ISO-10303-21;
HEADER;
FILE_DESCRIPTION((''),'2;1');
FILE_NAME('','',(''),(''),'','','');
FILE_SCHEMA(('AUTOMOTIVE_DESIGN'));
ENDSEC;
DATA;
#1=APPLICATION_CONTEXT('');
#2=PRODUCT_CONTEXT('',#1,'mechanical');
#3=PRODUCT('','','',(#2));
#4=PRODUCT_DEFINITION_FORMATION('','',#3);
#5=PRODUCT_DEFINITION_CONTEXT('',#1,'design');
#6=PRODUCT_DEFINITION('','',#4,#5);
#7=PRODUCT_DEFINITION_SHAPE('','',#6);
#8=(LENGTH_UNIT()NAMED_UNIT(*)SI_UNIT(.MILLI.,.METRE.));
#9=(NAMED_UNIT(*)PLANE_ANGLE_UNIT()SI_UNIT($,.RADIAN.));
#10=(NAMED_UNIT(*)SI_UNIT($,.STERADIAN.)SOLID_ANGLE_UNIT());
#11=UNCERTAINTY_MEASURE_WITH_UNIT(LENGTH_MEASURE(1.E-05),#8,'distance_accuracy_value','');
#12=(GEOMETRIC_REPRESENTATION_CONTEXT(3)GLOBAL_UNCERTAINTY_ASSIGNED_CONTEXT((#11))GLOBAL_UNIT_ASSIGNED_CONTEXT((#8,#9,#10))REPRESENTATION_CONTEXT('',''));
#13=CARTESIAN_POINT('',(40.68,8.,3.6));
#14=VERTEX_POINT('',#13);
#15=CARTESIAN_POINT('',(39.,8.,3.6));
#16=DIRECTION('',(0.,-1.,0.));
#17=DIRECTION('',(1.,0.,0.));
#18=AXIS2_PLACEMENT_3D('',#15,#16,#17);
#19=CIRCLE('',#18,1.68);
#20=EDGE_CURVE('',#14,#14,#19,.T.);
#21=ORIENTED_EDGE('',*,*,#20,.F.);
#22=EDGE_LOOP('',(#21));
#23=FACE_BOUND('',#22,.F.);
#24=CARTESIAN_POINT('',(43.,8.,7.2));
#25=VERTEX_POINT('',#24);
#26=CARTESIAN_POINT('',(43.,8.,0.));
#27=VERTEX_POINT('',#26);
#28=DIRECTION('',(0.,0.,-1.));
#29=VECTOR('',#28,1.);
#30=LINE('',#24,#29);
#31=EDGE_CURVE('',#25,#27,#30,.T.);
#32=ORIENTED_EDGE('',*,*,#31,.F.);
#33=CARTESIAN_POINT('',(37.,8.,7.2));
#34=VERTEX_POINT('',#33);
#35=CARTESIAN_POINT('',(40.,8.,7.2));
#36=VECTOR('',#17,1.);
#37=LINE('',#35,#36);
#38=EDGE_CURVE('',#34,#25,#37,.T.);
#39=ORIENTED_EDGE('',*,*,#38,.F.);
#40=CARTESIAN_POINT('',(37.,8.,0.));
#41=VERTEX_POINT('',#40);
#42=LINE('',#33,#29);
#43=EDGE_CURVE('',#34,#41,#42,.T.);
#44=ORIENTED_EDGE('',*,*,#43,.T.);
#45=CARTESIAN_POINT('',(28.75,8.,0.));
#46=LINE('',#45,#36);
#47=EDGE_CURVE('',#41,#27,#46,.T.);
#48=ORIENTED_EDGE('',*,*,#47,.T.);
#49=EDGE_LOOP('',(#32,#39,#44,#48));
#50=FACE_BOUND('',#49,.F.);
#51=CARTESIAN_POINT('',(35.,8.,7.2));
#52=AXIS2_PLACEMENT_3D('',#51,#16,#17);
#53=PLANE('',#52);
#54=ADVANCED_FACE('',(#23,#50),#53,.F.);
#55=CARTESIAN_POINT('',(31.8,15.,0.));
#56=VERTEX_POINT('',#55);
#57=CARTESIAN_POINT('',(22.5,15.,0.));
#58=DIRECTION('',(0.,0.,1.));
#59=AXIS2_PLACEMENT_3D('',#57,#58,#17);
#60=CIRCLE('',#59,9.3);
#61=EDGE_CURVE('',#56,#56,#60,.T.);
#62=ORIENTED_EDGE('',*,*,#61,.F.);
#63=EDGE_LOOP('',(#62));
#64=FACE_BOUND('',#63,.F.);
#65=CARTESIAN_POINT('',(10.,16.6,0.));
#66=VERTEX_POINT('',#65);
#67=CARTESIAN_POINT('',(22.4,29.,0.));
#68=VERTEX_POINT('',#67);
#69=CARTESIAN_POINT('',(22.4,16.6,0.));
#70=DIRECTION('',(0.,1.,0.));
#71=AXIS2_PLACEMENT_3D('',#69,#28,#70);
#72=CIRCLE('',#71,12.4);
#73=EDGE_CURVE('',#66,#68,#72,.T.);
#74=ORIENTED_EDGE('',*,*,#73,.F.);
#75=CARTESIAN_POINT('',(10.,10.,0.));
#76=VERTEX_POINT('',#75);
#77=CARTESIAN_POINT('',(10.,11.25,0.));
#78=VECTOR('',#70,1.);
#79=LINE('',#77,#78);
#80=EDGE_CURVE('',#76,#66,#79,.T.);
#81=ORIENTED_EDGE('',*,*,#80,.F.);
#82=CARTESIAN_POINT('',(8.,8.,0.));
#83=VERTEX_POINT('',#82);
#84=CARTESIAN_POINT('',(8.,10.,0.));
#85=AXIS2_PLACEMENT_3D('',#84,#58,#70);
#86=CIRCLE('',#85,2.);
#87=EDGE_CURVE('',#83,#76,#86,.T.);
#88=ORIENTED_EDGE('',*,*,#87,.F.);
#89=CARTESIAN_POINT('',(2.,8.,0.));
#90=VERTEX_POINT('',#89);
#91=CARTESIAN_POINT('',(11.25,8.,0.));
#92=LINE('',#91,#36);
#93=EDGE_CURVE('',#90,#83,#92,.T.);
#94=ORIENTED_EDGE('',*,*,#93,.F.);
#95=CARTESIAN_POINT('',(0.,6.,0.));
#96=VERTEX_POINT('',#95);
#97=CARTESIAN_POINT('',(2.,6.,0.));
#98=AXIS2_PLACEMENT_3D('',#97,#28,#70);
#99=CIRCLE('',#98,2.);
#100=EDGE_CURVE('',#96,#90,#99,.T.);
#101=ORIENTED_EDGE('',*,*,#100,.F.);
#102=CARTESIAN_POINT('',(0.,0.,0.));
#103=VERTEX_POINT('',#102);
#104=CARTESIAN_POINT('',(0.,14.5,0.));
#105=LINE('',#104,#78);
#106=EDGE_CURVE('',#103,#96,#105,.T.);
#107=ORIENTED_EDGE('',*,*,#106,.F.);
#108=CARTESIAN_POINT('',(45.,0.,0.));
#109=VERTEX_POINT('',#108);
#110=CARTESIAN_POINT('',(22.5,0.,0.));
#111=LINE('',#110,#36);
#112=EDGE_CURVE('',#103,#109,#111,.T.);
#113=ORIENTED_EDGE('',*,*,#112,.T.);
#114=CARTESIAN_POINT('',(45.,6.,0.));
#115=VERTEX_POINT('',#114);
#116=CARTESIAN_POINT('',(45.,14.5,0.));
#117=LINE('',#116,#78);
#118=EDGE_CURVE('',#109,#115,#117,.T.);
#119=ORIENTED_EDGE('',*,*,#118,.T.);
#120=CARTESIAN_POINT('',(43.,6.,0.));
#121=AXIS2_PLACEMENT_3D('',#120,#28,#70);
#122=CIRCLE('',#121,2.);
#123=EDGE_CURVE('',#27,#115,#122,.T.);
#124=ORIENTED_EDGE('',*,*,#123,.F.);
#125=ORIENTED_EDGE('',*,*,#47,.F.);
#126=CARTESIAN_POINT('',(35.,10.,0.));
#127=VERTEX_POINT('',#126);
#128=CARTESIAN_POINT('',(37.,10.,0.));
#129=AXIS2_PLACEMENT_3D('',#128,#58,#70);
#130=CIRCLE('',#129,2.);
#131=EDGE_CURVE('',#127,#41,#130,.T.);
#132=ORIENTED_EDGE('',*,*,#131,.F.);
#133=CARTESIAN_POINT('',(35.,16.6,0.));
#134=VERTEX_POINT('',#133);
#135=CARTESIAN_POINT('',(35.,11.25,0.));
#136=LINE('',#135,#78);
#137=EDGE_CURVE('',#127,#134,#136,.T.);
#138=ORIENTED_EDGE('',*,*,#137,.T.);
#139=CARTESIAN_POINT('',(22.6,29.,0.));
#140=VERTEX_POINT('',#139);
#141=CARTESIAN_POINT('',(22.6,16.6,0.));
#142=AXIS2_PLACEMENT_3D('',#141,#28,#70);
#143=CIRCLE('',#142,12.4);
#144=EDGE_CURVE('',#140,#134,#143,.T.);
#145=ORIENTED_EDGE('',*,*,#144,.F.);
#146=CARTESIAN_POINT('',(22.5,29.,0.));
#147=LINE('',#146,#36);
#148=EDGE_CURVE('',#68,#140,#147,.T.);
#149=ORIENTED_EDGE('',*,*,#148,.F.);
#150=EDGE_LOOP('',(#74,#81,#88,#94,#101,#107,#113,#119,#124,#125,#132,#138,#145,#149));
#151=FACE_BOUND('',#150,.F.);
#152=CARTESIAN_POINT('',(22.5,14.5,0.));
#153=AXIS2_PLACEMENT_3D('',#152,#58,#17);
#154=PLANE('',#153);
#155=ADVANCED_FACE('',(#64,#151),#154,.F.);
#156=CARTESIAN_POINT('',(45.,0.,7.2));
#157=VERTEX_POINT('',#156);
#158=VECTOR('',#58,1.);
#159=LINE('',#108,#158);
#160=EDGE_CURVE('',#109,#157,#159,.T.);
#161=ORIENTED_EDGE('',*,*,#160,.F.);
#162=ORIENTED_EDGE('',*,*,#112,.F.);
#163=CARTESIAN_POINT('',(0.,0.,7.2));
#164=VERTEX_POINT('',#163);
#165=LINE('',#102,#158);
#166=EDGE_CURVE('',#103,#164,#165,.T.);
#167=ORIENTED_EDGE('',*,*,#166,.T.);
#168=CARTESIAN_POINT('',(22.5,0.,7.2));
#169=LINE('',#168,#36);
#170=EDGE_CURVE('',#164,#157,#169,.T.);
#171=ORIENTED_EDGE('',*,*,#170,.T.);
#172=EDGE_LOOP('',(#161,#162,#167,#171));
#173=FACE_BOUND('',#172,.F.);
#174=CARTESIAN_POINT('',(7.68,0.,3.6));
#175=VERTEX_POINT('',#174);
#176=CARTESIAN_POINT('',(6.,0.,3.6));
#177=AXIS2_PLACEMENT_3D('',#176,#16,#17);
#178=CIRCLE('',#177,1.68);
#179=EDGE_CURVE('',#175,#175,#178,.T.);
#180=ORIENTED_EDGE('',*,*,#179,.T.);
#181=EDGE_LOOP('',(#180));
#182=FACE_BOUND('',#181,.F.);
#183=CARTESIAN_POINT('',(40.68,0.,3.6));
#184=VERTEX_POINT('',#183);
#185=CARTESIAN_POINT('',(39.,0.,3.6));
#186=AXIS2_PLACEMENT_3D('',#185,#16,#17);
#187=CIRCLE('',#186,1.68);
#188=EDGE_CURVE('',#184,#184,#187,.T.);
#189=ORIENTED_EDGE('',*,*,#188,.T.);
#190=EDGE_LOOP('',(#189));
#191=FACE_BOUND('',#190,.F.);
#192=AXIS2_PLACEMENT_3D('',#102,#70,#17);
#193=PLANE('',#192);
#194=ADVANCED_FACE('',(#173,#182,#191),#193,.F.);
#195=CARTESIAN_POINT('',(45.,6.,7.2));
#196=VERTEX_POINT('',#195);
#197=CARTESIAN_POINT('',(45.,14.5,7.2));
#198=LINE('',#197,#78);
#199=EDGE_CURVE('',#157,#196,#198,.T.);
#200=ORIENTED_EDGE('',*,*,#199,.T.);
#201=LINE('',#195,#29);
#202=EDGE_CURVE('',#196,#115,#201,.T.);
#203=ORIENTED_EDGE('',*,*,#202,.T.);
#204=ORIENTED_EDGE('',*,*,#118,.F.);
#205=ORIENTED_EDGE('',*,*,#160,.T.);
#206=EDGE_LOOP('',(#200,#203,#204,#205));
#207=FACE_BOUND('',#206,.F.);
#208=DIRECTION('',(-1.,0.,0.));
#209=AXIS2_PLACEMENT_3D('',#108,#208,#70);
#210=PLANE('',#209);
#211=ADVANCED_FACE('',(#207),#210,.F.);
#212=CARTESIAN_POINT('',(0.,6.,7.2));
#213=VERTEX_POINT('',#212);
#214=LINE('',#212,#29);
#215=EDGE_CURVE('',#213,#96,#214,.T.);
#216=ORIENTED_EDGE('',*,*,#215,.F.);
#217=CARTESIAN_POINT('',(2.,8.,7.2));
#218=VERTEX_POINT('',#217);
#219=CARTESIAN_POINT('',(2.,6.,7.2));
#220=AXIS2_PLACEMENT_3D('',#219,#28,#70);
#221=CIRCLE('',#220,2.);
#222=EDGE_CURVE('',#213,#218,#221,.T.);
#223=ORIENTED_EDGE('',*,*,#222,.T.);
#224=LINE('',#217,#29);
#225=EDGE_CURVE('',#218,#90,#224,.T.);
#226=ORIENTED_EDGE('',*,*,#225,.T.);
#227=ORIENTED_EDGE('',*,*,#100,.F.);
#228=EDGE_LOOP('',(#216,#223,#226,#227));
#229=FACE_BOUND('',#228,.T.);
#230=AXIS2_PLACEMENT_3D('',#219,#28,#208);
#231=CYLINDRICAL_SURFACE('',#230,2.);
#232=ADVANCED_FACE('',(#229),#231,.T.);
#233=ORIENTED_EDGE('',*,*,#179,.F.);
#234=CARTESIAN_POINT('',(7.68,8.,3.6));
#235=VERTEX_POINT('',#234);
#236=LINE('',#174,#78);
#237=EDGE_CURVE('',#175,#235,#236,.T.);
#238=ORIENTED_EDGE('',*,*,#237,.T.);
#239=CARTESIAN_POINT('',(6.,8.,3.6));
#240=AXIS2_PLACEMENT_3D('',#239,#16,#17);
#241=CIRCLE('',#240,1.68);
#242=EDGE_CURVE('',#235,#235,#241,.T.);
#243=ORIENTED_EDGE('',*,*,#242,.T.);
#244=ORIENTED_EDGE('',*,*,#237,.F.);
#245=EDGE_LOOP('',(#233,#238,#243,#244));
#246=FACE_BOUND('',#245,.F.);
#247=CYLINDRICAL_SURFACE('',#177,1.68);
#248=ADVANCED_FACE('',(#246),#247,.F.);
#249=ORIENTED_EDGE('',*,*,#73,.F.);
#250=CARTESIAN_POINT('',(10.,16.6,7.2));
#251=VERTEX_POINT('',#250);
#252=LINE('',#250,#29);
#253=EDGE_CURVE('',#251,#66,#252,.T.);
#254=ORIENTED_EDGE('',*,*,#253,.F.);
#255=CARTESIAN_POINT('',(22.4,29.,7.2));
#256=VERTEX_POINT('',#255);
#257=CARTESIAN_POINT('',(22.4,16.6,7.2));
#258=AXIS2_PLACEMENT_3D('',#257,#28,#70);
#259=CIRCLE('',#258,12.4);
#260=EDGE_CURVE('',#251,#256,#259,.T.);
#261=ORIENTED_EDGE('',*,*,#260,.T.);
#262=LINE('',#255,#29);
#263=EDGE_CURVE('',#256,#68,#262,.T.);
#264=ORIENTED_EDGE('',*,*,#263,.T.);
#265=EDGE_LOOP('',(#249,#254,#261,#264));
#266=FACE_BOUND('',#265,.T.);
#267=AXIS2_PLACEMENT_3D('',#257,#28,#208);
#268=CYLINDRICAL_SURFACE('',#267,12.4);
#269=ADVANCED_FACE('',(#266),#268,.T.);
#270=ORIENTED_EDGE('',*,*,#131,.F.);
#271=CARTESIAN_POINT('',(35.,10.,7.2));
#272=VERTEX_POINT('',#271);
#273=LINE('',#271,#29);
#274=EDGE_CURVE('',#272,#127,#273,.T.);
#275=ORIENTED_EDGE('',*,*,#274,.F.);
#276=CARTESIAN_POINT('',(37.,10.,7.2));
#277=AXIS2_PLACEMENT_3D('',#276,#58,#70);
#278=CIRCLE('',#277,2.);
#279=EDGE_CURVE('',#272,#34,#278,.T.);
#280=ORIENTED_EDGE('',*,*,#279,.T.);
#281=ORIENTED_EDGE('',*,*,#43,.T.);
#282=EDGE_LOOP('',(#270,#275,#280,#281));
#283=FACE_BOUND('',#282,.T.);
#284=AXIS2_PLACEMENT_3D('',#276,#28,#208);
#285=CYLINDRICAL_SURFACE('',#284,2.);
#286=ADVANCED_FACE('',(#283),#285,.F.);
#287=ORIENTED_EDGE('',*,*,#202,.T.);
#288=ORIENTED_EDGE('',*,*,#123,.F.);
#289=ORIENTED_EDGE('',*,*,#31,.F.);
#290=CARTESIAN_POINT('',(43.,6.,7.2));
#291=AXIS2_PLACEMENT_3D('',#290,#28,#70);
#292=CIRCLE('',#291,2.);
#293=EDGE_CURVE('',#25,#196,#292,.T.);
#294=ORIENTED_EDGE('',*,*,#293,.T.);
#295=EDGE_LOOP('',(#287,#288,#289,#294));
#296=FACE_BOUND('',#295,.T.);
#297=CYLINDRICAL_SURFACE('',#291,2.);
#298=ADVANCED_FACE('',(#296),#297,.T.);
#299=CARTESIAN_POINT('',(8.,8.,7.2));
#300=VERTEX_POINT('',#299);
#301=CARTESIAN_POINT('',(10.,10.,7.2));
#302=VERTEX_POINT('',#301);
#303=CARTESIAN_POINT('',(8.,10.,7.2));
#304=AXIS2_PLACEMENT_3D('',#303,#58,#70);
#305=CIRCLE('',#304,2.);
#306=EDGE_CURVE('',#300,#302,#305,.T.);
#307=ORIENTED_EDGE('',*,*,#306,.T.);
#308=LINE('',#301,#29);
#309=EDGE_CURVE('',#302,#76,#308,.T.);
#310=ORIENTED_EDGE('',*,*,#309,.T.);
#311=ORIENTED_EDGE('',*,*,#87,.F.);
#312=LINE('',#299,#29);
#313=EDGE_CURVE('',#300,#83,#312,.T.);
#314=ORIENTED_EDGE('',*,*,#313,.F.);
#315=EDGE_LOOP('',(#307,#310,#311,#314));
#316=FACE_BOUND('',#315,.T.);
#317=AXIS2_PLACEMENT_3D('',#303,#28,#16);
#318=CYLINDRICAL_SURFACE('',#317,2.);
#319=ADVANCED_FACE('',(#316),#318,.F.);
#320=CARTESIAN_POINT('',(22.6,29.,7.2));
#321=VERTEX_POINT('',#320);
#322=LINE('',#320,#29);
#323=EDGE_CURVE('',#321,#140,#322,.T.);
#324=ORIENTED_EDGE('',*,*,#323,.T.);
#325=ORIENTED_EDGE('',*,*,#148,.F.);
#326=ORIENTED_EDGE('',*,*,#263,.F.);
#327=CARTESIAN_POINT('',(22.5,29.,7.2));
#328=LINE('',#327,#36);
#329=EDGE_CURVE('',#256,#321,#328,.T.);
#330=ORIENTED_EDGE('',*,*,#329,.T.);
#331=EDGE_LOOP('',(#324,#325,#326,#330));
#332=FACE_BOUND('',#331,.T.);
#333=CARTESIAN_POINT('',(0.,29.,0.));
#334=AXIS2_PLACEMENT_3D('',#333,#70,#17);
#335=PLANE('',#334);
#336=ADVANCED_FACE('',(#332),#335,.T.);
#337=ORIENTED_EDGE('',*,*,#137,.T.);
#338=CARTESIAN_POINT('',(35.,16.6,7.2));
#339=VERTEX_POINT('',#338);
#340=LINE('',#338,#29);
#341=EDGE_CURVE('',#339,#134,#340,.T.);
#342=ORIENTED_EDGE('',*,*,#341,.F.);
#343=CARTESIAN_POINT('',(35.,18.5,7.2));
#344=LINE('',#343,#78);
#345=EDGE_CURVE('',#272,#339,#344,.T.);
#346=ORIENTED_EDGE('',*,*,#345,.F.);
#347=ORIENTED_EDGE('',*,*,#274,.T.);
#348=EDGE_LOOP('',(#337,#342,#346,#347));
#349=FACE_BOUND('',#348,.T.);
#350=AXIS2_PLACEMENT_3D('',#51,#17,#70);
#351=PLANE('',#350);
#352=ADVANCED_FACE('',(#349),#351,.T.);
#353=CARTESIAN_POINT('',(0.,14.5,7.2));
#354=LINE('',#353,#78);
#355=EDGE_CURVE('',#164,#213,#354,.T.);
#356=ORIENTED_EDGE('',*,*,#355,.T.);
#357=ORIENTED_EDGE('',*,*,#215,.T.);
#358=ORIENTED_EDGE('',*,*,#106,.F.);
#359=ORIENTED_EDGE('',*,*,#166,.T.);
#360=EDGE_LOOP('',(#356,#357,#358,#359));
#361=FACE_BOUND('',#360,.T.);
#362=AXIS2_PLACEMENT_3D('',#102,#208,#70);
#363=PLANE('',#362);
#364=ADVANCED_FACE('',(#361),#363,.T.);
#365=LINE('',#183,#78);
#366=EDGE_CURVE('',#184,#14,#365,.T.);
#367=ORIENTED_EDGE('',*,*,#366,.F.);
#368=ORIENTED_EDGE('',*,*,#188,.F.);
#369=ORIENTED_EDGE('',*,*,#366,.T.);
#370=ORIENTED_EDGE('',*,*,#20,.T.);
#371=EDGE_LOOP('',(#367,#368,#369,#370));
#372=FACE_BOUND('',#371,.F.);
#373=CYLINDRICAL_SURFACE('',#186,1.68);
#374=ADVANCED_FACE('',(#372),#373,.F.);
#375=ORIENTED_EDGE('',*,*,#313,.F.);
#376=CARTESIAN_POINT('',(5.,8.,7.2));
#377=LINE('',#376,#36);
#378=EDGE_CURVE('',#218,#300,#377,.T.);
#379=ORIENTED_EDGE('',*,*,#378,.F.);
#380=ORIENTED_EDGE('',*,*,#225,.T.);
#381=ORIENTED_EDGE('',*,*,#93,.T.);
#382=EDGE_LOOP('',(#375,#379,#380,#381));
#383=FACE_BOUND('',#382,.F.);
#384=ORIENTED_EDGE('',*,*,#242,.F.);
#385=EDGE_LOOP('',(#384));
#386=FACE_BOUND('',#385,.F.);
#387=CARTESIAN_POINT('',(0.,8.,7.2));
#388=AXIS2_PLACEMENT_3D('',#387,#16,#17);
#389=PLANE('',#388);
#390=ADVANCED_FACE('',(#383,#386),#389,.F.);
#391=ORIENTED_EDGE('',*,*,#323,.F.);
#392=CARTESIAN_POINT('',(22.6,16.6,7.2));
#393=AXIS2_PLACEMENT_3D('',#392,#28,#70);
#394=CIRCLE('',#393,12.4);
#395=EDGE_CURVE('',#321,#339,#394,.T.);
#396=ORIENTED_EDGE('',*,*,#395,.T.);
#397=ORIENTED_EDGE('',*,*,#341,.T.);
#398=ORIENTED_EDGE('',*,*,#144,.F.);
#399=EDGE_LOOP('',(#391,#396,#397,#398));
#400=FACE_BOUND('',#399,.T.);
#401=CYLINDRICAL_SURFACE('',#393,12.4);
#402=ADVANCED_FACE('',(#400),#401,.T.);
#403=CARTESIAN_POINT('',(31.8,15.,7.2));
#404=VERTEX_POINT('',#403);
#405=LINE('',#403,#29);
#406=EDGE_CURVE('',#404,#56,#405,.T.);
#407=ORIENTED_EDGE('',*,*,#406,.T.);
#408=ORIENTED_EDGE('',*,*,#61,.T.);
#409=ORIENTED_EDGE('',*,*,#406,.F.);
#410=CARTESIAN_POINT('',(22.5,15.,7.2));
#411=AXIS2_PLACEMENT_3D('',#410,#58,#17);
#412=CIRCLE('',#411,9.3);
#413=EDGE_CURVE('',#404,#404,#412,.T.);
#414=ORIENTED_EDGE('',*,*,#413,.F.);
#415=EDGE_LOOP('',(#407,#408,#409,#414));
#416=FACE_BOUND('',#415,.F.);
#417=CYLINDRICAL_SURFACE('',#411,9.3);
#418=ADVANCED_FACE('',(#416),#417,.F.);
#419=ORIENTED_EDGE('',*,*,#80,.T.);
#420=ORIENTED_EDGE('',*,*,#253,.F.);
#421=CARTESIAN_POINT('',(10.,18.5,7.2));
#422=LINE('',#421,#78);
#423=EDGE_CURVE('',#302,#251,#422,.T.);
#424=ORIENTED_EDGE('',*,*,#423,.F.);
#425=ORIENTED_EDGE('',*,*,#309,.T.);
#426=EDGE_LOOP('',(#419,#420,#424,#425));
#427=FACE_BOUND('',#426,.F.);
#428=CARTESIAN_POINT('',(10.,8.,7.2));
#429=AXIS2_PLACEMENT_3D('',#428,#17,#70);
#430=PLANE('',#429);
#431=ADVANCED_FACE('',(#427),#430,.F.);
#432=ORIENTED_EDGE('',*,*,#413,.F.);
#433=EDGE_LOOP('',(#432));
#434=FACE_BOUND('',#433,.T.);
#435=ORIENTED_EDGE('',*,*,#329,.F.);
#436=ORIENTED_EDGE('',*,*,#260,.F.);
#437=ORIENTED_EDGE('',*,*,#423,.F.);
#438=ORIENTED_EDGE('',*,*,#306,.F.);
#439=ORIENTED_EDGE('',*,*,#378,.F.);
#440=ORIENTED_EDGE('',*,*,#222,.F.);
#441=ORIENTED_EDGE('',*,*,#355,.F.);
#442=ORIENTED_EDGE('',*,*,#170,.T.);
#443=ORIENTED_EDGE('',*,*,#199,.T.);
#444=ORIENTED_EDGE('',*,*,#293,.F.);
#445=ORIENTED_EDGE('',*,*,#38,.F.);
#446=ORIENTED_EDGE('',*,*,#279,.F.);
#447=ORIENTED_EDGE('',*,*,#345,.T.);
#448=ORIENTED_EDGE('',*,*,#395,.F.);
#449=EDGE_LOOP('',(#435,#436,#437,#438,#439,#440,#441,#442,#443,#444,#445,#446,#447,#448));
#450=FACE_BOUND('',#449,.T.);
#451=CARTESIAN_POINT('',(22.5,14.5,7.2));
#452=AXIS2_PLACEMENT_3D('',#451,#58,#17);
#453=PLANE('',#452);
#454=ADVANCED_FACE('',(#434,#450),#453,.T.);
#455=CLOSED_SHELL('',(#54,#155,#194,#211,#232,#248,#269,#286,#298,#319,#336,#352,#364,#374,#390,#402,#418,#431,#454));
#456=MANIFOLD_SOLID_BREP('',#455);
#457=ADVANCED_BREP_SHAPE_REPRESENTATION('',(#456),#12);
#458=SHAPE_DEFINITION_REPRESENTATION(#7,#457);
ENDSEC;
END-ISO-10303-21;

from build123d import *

# Parameters (mm, degrees)
BOX_W           = 45
BOX_H           = 29
BOX_DEPTH       = 7.2
SKETCH_R        = 1.68
POCKET_DEPTH    = 29.001
SKETCH001_R     = 9.3
SKETCH001_W     = 10
SKETCH001_H     = 21
POCKET001_DEPTH = 8
FILLET_R        = 2
FILLET001_R     = 12.4


with BuildPart() as part:
    # Box → Box (new body)
    with BuildSketch(Plane.XY):
        with Locations((22.5, 14.5)):
            Rectangle(BOX_W, BOX_H)
    extrude(amount=BOX_DEPTH)

    # Sketch → Pocket (cut, through all)
    with BuildSketch(Plane.XZ):
        with Locations((6, 3.6)):
            Circle(SKETCH_R)
        with Locations((39, 3.6)):
            Circle(SKETCH_R)
    extrude(amount=-POCKET_DEPTH, mode=Mode.SUBTRACT)

    # Sketch001 → Pocket001 (cut)
    with BuildSketch(Plane.XY.offset(7.2)):
        with Locations((22.5, 15)):
            Circle(SKETCH001_R)
        with Locations((5, 18.5)):
            Rectangle(SKETCH001_W, SKETCH001_H)
        with Locations((40, 18.5)):
            Rectangle(SKETCH001_W, SKETCH001_H)
    extrude(amount=-POCKET001_DEPTH, mode=Mode.SUBTRACT)

    # Fillet
    fillet_edges = [part.edges().sort_by_distance(p)[0] for p in [
        (45, 8, 3.6),
        (35, 8, 3.6),
        (10, 8, 3.6),
        (0, 8, 3.6),
    ]]
    fillet(fillet_edges, radius=FILLET_R)

    # Fillet001
    fillet001_edges = [part.edges().sort_by_distance(p)[0] for p in [
        (10, 29, 3.6),
        (35, 29, 3.6),
    ]]
    fillet(fillet001_edges, radius=FILLET001_R)


solid = part.part
